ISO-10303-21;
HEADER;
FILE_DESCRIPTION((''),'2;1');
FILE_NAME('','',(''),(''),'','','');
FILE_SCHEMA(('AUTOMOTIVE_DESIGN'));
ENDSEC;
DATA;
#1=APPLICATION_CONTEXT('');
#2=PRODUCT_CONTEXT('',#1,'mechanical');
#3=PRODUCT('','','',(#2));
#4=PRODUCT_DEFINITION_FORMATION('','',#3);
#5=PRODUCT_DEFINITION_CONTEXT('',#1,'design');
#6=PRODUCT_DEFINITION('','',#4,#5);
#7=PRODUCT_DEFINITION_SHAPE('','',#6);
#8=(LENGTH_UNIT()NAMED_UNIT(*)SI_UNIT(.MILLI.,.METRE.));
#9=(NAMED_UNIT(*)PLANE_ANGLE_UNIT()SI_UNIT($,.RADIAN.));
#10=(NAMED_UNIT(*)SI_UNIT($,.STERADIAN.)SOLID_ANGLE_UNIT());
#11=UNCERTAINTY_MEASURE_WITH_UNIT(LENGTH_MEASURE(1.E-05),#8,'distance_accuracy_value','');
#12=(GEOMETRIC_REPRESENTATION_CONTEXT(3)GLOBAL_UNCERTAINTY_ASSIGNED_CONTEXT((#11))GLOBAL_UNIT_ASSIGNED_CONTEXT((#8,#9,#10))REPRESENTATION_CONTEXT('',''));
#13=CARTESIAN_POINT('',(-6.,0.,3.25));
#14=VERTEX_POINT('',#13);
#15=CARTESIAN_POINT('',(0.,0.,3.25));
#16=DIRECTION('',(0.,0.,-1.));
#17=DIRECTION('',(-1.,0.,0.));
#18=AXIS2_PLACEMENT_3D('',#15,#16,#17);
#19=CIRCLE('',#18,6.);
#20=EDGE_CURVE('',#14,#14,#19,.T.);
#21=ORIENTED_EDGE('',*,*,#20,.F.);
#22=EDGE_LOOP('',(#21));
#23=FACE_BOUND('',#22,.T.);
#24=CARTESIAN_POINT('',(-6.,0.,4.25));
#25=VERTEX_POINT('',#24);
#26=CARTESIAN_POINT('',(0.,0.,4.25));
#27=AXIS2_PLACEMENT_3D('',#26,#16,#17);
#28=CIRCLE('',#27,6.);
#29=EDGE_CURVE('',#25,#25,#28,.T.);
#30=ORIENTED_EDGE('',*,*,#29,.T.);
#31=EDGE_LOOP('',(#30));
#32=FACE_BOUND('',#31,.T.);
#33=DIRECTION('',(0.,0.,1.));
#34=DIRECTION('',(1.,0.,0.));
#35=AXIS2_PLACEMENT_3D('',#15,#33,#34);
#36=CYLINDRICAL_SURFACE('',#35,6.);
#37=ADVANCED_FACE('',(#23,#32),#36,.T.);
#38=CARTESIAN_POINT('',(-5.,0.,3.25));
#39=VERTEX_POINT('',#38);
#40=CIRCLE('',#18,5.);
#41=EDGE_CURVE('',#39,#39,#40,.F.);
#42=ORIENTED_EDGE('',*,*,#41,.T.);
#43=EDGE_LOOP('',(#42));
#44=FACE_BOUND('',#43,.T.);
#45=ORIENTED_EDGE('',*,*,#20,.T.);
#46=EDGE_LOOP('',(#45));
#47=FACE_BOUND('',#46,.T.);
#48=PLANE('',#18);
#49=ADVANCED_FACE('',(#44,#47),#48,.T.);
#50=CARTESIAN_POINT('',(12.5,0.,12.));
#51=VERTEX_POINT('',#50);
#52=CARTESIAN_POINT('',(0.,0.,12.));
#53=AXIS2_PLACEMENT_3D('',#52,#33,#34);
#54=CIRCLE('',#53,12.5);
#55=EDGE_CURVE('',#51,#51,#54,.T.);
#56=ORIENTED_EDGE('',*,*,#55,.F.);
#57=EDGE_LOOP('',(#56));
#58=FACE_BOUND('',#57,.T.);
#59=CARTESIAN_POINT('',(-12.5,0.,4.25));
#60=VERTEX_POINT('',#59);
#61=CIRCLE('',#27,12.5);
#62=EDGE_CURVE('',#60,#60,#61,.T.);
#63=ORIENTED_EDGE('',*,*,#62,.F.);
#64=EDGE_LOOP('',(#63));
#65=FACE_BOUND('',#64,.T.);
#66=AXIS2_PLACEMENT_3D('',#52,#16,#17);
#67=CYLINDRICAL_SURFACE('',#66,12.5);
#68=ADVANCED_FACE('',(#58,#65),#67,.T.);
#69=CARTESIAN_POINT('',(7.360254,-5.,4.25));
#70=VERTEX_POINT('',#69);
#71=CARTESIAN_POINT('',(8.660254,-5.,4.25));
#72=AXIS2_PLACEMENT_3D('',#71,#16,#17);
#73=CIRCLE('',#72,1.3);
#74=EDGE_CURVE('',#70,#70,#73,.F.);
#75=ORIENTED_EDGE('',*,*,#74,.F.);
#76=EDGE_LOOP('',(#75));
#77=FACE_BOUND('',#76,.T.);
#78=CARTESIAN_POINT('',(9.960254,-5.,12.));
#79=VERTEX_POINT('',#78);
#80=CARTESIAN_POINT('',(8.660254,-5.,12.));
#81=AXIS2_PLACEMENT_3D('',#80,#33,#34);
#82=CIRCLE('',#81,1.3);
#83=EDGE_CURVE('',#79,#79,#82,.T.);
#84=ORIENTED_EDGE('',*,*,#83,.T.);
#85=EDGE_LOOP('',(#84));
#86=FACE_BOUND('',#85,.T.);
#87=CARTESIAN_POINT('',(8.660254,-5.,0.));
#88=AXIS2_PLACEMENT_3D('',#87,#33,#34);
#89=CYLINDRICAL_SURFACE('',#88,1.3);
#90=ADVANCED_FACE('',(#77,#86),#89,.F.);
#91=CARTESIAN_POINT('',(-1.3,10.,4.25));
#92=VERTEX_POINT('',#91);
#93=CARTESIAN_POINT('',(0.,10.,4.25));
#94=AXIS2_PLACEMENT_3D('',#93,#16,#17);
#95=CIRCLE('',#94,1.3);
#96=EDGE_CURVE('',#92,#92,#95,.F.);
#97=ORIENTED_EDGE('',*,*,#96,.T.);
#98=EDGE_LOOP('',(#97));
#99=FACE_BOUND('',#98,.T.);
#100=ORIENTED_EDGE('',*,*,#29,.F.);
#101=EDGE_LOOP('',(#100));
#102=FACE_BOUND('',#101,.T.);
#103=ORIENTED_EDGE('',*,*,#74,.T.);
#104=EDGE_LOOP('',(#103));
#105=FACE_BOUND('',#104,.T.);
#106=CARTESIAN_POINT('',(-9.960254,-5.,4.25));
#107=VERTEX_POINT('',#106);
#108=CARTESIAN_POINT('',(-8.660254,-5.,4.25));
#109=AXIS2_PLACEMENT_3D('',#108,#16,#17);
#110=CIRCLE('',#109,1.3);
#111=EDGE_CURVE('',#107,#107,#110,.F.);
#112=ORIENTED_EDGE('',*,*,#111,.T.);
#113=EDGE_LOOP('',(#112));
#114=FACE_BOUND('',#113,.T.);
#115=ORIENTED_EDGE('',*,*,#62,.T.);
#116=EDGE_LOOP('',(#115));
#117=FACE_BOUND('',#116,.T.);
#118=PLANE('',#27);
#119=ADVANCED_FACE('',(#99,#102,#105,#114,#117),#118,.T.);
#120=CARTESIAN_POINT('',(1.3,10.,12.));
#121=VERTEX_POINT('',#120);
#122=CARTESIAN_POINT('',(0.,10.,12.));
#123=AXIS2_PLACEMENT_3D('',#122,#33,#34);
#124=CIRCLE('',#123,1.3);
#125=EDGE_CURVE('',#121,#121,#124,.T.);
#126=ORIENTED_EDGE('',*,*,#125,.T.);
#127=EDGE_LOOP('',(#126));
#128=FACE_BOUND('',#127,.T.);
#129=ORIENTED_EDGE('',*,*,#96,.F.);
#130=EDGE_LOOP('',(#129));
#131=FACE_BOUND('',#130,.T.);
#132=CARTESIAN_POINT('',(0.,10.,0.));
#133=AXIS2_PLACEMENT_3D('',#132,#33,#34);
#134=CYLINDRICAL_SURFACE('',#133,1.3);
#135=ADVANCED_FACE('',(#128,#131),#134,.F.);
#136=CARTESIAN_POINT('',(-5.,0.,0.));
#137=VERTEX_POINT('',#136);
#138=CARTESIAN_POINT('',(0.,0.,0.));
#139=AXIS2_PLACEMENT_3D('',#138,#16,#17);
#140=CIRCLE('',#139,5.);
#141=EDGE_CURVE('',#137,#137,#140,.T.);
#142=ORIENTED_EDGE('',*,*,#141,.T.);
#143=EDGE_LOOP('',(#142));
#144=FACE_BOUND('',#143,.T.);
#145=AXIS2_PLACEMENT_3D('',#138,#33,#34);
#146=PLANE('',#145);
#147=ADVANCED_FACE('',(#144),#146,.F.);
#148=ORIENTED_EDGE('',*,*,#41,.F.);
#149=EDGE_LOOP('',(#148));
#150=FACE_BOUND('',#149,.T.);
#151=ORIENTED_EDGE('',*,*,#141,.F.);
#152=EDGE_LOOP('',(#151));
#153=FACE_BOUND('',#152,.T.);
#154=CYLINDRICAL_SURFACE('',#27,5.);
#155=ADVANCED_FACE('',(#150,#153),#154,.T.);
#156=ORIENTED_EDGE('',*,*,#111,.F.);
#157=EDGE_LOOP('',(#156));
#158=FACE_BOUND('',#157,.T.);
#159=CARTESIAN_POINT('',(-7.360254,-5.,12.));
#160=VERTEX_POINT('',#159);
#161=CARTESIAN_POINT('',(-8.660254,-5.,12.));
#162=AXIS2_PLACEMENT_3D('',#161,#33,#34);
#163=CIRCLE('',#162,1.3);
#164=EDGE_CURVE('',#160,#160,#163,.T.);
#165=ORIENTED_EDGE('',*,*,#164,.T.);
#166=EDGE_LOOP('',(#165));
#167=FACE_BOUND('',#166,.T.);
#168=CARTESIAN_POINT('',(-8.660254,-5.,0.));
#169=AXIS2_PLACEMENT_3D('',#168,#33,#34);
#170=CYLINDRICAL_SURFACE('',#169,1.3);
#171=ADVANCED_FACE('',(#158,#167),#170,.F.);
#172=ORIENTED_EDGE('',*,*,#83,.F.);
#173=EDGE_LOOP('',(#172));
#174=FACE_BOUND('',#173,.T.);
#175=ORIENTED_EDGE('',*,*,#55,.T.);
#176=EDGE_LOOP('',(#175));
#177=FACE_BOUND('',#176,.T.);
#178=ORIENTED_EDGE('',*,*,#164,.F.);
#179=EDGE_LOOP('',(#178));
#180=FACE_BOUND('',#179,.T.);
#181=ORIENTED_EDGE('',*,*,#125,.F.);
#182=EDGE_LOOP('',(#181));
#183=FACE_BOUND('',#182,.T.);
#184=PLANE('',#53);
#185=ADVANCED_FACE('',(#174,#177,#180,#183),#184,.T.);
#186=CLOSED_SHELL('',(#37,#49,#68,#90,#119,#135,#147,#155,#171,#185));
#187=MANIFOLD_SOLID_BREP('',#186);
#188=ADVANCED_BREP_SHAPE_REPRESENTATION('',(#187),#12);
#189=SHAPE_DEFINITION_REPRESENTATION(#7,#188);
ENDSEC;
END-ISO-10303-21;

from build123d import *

# Parameters (mm, degrees)
SKETCH_1_R          = 12.5
EXTRUDE_1_DEPTH     = 12
SKETCH_2_R          = 1.3
CUT_EXTRUDE_1_DEPTH = 22.365860619
SKETCH_3_R          = 12.5
SKETCH_3_R_2        = 5
CUT_EXTRUDE_2_DEPTH = 4.25
EXTRUDE_START       = 1
SKETCH_4_R          = 6
SKETCH_4_R_2        = 5
EXTRUDE_2_DEPTH     = 1


with BuildPart() as part:
    # ｽｹｯﾁ1 → ﾎﾞｽ - 押し出し1 (new body)
    with BuildSketch(Plane.XY):
        Circle(SKETCH_1_R)
    extrude(amount=EXTRUDE_1_DEPTH)

    # ｽｹｯﾁ2 → ｶｯﾄ - 押し出し1 (cut, through all)
    with BuildSketch(Plane.XY.offset(12)):
        with Locations((0, 10)):
            Circle(SKETCH_2_R)
        with Locations((8.660254038, -5)):
            Circle(SKETCH_2_R)
        with Locations((-8.660254038, -5)):
            Circle(SKETCH_2_R)
    extrude(amount=-CUT_EXTRUDE_1_DEPTH, mode=Mode.SUBTRACT)

    # ｽｹｯﾁ3 → ｶｯﾄ - 押し出し2 (cut)
    with BuildSketch(Plane(origin=(0, 0, 0), x_dir=(-1, 0, 0), z_dir=(0, 0, -1))):
        Circle(SKETCH_3_R)
        Circle(SKETCH_3_R_2, mode=Mode.SUBTRACT)
    extrude(amount=-CUT_EXTRUDE_2_DEPTH, mode=Mode.SUBTRACT)

    # ｽｹｯﾁ4 → ﾎﾞｽ - 押し出し2 (add)
    with BuildSketch(Plane(origin=(0, 0, 4.25), x_dir=(-1, 0, 0), z_dir=(0, 0, -1)).offset(EXTRUDE_START)):
        Circle(SKETCH_4_R)
        Circle(SKETCH_4_R_2, mode=Mode.SUBTRACT)
    extrude(amount=-EXTRUDE_2_DEPTH)


solid = part.part
